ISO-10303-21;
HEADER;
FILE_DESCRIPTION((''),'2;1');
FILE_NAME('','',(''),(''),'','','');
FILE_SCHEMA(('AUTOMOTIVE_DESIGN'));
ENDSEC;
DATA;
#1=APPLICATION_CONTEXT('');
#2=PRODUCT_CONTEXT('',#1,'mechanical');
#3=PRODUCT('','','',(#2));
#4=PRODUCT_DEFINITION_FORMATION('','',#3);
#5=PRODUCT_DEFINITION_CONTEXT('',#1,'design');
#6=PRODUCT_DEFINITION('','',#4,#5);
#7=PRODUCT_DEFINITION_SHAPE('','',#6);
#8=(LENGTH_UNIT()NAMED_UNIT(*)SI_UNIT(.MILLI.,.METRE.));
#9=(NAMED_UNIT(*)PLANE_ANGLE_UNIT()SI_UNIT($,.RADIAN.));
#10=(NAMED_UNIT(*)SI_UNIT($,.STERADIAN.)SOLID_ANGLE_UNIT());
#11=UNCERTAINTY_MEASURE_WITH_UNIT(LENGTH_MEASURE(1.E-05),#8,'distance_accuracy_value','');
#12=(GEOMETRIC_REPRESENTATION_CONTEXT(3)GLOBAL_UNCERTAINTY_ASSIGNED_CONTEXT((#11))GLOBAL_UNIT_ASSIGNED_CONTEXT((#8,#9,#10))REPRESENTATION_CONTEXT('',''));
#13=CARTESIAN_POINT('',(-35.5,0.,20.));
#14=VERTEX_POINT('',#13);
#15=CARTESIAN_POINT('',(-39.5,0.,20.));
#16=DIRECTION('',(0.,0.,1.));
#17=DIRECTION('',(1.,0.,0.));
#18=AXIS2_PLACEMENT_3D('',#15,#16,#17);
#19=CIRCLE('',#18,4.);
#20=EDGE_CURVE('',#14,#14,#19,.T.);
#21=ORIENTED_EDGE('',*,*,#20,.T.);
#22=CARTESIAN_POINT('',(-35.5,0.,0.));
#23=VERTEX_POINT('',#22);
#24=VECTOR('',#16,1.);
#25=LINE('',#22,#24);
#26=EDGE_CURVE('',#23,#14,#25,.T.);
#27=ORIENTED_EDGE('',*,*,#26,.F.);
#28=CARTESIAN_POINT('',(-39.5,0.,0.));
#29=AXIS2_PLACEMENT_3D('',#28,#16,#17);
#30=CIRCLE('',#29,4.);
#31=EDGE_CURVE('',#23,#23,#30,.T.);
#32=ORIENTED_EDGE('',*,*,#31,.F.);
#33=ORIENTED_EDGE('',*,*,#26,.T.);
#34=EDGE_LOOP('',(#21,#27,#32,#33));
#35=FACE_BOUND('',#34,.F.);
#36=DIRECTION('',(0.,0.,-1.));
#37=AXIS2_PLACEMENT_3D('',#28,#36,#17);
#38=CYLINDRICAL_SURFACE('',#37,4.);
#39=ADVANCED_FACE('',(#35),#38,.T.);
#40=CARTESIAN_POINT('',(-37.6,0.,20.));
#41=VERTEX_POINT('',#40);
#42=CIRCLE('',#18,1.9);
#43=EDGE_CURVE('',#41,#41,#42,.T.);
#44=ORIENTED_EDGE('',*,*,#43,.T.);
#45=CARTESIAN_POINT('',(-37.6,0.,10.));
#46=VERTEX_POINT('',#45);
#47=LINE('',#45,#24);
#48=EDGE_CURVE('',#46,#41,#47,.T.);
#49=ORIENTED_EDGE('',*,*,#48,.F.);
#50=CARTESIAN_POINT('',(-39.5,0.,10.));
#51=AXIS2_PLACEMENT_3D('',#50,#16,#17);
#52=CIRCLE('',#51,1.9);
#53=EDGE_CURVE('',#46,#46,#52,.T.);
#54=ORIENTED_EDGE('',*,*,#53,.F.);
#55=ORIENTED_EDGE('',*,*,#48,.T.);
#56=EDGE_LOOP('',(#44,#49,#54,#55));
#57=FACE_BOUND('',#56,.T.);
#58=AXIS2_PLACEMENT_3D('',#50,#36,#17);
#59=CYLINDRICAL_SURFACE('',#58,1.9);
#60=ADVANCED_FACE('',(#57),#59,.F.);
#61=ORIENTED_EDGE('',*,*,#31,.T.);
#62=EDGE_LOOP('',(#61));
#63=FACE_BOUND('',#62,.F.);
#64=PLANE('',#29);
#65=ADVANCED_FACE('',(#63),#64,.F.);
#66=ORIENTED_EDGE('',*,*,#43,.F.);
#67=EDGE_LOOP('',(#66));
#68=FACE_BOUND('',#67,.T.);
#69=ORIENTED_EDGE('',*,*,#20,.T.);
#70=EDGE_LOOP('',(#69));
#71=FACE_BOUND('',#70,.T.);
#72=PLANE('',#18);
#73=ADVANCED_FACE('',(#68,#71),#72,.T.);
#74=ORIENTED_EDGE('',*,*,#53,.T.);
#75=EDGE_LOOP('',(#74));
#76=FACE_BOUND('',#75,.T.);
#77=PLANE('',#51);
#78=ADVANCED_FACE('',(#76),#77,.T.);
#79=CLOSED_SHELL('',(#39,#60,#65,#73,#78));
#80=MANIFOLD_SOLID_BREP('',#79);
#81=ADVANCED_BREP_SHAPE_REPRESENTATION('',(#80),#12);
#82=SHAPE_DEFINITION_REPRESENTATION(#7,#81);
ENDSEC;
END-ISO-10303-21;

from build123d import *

# Parameters (mm, degrees)
CYLINDER003_R     = 1.9
CYLINDER003_DEPTH = 10
CYLINDER002_R     = 4
CYLINDER002_DEPTH = 20


with BuildPart() as spacerinner001:
    # Cylinder003 → Cylinder003 (new body)
    with BuildSketch(Plane(origin=(-39.5, 0, 10), x_dir=(1, 0, 0), z_dir=(0, 0, 1))):
        Circle(CYLINDER003_R)
    extrude(amount=CYLINDER003_DEPTH)


with BuildPart() as spacer001:
    # Cylinder002 → Cylinder002 (new body)
    with BuildSketch(Plane(origin=(-39.5, 0, 0), x_dir=(1, 0, 0), z_dir=(0, 0, 1))):
        Circle(CYLINDER002_R)
    extrude(amount=CYLINDER002_DEPTH)

    # Cut: cut SpacerInner001
    add(spacerinner001.part, mode=Mode.SUBTRACT)


solid = spacer001.part
